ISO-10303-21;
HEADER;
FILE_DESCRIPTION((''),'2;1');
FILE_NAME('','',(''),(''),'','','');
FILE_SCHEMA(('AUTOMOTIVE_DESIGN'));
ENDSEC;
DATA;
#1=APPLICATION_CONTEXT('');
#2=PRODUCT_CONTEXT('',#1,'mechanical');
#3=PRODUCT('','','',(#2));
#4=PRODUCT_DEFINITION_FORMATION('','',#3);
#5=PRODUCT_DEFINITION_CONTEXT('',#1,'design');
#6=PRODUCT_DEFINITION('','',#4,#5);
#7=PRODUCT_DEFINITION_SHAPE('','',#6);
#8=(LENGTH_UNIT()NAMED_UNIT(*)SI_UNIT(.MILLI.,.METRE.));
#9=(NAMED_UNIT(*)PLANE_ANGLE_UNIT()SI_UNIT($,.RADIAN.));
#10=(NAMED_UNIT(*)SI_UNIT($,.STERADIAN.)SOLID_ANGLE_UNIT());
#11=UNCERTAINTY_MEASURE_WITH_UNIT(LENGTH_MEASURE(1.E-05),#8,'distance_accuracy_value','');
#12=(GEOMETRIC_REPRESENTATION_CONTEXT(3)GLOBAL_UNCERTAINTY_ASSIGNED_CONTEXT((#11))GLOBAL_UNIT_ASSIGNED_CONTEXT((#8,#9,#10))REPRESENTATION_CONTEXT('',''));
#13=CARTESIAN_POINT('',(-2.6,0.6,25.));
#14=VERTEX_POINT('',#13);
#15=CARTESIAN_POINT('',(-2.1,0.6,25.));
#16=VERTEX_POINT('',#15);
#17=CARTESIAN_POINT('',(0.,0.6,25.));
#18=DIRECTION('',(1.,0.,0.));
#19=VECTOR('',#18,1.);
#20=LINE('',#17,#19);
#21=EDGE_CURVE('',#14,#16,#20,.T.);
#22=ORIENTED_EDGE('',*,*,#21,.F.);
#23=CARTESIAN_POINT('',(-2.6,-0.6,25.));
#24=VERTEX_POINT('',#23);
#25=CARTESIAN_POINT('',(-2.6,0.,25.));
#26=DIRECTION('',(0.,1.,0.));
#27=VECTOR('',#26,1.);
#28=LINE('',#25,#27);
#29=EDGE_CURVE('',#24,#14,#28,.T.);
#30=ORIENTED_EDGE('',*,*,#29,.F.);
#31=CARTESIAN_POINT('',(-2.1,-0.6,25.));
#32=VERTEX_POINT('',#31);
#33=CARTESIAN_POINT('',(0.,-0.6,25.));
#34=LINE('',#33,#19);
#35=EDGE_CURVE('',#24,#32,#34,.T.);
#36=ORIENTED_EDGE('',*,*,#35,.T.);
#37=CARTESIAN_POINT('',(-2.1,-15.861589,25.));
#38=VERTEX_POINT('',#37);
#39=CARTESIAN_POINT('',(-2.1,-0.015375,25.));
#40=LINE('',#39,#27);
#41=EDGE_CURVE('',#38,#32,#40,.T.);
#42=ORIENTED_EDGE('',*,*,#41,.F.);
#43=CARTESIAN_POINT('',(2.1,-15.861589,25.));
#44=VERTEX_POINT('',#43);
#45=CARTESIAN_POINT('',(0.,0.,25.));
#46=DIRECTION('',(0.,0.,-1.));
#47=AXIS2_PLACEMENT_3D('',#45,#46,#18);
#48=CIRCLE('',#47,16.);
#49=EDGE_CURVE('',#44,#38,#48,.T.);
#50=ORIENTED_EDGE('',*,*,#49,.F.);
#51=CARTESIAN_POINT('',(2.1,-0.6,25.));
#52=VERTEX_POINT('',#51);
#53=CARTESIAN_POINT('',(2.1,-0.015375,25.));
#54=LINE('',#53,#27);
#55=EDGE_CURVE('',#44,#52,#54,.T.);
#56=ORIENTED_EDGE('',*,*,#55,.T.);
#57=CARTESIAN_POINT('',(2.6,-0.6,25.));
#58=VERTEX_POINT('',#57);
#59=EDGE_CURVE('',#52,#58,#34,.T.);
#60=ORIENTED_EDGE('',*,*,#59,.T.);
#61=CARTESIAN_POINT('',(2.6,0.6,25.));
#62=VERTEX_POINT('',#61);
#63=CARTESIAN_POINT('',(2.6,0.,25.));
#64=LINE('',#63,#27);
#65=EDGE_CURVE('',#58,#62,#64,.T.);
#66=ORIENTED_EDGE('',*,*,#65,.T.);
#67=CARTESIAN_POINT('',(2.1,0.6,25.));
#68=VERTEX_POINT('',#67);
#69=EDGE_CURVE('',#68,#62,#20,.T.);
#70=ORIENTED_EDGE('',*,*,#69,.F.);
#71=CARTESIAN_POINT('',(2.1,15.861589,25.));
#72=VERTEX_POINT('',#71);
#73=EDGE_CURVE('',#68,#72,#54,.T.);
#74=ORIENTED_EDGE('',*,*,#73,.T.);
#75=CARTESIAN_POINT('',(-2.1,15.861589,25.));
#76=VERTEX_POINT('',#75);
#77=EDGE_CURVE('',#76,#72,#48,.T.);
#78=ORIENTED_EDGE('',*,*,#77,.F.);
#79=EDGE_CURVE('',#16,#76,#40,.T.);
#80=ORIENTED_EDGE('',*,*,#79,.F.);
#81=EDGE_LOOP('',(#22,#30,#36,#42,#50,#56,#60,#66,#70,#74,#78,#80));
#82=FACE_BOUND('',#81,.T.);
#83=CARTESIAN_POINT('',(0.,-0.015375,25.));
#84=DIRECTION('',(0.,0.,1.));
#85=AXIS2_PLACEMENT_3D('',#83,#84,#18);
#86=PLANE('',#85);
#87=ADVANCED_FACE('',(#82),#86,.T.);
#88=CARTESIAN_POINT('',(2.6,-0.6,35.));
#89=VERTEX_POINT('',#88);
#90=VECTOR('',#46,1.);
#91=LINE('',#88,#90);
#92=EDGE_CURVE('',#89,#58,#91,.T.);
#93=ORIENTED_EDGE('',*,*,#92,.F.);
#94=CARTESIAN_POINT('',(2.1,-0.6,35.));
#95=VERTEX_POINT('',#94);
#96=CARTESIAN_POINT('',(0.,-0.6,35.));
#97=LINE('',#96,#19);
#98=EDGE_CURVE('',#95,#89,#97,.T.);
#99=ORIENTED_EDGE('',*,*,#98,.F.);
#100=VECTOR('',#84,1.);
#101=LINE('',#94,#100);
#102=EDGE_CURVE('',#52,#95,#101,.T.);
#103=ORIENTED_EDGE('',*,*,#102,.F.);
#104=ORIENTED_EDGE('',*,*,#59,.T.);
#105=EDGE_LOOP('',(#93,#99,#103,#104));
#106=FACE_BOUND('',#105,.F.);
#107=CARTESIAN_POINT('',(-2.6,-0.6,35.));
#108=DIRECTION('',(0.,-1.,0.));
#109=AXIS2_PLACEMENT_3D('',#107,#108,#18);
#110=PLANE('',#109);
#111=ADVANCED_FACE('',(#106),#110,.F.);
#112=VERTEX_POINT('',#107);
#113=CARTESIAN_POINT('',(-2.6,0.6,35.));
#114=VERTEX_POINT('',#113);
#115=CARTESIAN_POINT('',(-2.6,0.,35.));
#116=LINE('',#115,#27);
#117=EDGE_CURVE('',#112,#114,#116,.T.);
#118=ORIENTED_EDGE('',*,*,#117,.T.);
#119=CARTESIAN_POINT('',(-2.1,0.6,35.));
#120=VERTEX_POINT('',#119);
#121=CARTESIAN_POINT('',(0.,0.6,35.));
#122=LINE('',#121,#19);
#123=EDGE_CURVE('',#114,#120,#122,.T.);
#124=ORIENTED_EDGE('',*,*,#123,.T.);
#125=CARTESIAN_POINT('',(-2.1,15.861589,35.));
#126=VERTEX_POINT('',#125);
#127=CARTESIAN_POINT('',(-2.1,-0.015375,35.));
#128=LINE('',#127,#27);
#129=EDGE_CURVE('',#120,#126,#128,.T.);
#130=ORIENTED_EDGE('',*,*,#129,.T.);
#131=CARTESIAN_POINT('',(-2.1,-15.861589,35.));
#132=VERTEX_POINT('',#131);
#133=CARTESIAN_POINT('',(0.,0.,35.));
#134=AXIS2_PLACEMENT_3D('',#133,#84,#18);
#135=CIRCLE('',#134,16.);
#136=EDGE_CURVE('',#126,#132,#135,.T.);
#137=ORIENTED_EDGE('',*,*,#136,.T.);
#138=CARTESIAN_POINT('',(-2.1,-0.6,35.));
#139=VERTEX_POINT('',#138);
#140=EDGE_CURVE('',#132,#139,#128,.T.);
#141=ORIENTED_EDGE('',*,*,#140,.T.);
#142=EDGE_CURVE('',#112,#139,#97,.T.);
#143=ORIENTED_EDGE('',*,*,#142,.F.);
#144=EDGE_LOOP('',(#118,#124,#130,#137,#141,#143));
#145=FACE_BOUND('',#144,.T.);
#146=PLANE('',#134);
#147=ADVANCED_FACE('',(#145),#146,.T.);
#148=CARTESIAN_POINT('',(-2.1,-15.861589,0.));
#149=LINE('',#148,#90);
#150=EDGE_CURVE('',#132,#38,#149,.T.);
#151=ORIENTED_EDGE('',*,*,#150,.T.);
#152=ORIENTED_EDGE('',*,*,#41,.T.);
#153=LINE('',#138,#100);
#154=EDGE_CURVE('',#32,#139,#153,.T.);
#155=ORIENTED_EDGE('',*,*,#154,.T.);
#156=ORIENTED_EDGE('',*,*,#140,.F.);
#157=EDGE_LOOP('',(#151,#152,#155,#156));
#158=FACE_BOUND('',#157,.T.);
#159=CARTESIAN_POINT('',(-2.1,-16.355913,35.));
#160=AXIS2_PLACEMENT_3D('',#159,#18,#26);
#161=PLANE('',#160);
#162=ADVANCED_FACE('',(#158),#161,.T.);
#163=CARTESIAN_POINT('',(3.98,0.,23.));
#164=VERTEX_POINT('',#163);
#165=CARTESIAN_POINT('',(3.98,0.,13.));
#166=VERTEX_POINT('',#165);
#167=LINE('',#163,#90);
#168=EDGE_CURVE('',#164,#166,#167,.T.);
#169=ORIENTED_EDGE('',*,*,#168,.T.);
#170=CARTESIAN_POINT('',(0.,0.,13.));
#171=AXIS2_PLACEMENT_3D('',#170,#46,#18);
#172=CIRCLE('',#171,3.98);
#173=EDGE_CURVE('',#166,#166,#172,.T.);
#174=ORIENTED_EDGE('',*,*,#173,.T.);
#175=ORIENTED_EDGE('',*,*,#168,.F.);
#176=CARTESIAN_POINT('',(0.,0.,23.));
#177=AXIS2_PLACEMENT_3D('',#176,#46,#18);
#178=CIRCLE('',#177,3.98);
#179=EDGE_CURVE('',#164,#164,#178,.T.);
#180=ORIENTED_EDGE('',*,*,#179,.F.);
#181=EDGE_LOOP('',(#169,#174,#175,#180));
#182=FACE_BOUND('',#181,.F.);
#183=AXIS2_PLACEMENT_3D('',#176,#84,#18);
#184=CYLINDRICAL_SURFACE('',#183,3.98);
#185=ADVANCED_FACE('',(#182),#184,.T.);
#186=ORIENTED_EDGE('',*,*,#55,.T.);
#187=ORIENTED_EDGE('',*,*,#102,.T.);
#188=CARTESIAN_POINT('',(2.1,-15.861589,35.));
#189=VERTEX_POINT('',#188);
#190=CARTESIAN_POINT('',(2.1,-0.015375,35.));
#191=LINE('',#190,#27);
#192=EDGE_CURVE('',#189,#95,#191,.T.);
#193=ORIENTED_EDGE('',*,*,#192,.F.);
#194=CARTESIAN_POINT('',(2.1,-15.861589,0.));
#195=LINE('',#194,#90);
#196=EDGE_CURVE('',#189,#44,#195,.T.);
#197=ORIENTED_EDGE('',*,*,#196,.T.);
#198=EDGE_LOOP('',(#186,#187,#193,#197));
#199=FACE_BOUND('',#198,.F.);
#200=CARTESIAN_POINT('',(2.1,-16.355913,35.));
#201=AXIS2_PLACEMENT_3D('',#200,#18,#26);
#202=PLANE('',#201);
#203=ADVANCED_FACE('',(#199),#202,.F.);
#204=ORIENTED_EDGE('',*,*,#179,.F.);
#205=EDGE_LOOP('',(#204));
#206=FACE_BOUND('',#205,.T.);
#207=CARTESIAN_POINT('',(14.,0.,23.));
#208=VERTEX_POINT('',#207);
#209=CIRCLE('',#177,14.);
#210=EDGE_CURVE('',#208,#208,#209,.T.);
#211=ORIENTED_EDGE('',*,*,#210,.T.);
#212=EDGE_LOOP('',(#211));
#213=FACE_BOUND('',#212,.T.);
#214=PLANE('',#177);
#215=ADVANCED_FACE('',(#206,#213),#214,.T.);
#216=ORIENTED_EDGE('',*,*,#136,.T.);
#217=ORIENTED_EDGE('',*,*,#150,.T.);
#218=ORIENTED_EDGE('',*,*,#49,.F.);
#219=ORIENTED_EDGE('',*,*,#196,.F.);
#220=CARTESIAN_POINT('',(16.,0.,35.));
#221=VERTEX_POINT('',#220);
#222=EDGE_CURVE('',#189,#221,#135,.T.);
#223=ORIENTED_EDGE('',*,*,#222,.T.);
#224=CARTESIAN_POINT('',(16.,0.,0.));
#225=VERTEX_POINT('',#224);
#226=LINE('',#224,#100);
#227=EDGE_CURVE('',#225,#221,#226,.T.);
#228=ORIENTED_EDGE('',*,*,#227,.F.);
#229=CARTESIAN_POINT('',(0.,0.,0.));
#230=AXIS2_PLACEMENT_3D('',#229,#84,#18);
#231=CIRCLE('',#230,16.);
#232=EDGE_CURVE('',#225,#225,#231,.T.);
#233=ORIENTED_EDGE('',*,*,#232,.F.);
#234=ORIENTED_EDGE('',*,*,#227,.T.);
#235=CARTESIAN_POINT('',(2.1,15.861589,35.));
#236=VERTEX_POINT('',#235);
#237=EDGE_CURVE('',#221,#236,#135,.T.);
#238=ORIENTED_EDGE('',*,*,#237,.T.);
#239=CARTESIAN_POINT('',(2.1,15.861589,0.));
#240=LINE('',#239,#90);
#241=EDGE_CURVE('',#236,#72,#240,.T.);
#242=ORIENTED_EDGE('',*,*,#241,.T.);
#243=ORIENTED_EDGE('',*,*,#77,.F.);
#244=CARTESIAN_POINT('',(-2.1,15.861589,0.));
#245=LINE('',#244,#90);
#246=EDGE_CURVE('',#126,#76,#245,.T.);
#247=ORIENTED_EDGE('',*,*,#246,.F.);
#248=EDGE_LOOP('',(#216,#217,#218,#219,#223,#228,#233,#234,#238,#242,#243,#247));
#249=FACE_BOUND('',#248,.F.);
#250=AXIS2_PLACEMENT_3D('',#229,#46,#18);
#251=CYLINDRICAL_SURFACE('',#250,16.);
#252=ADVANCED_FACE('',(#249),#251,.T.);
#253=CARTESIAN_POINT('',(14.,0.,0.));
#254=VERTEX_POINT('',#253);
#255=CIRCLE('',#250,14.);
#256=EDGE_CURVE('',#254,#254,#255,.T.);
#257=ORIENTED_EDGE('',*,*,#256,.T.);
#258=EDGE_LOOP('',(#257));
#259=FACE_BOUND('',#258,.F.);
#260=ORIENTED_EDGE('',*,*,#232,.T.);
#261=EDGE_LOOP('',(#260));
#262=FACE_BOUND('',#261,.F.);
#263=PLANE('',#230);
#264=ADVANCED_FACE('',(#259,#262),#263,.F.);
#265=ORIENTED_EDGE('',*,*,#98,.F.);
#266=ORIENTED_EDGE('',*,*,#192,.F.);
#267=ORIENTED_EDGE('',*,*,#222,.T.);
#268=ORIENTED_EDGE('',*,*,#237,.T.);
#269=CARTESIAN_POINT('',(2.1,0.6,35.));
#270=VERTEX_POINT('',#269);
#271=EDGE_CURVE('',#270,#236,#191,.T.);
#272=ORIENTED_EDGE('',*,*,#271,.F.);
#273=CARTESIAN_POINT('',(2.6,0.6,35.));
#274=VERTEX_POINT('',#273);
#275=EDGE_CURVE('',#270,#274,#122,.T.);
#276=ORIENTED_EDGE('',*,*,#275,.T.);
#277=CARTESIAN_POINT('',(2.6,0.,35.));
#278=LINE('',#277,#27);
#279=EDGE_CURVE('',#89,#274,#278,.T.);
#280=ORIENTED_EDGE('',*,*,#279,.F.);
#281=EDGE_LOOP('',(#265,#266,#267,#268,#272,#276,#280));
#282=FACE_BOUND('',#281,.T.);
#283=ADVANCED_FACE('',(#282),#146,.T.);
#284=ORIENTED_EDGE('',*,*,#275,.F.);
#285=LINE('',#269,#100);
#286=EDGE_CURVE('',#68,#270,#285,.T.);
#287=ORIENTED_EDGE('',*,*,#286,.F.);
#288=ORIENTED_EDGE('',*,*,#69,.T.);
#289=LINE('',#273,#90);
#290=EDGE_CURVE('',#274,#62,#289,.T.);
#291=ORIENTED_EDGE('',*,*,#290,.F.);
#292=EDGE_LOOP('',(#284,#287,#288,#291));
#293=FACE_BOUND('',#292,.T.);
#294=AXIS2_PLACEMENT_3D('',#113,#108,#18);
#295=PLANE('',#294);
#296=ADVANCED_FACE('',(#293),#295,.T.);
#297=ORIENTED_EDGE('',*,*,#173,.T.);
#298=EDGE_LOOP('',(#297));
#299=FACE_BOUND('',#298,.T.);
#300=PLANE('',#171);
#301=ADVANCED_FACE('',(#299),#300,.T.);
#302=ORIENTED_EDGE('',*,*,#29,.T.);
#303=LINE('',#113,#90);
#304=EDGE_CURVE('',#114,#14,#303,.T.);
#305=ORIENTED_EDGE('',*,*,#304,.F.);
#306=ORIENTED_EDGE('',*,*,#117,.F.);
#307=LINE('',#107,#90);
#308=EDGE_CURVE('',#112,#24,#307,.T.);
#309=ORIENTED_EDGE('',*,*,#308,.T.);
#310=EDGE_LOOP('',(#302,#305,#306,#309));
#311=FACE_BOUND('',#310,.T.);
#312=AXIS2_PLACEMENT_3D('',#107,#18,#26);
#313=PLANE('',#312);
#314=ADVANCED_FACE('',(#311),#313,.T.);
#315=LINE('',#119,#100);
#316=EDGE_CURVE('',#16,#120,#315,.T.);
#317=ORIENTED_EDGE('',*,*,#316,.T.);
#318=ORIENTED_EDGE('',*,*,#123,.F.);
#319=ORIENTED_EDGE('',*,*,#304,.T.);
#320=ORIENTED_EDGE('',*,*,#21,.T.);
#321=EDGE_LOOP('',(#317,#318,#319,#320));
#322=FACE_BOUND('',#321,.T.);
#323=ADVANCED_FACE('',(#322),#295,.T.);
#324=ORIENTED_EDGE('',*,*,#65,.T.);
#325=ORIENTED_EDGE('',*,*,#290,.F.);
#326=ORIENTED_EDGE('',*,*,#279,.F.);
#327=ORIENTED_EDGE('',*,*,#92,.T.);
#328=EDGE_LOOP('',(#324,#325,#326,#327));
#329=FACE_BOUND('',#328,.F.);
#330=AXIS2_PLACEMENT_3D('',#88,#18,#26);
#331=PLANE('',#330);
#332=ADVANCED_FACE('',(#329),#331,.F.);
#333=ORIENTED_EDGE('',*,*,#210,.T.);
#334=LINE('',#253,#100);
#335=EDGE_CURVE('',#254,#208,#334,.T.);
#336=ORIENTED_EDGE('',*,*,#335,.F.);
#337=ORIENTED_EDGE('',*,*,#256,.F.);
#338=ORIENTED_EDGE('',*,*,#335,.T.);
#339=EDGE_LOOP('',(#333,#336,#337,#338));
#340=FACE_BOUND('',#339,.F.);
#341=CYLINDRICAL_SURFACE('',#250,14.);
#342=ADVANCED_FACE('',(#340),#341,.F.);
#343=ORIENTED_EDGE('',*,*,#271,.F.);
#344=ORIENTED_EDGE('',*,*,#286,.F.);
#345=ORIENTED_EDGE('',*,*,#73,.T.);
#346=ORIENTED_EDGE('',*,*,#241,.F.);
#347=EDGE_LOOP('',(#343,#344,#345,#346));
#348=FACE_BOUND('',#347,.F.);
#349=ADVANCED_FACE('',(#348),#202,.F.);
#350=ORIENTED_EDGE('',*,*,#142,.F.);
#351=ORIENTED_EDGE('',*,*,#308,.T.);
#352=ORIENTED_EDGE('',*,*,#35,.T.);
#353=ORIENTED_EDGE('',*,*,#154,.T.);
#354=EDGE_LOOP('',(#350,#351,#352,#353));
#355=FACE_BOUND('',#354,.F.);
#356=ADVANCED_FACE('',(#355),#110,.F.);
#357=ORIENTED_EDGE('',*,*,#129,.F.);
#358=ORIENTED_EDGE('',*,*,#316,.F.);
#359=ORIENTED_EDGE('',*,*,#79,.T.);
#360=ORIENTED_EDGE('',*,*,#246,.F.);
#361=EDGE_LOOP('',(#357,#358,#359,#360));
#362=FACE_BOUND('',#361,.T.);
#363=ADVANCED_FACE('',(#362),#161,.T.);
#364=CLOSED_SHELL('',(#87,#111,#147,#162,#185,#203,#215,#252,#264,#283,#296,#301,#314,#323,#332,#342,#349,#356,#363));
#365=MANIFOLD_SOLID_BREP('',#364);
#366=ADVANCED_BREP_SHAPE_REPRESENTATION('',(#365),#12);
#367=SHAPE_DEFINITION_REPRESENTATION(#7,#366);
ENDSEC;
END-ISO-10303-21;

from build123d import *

# Parameters (mm, degrees)
SKETCH_R        = 16
PAD_DEPTH       = 35
SKETCH001_R     = 14
POCKET_DEPTH    = 23
SKETCH002_R     = 3.98
PAD001_DEPTH    = 10
SKETCH003_W     = 5.2
SKETCH003_H     = 1.2
POCKET001_DEPTH = 10
SKETCH004_W     = 4.2
SKETCH004_H     = 32.681076
POCKET002_DEPTH = 10


with BuildPart() as part:
    # Sketch → Pad (new body)
    with BuildSketch(Plane.XY):
        Circle(SKETCH_R)
    extrude(amount=PAD_DEPTH)

    # Sketch001 (on Face2 of Pad) → Pocket (cut)
    with BuildSketch(Plane(origin=(0, 0, 0), x_dir=(1, 0, 0), z_dir=(0, 0, -1))):
        Circle(SKETCH001_R)
    extrude(amount=-POCKET_DEPTH, mode=Mode.SUBTRACT)

    # Sketch002 (on Face5 of Pocket) → Pad001 (join)
    with BuildSketch(Plane(origin=(0, 0, 23), x_dir=(1, 0, 0), z_dir=(0, 0, -1))):
        Circle(SKETCH002_R)
    extrude(amount=PAD001_DEPTH)

    # Sketch003 (on Face3 of Pad001) → Pocket001 (cut)
    with BuildSketch(Plane.XY.offset(35)):
        Rectangle(SKETCH003_W, SKETCH003_H)
    extrude(amount=-POCKET001_DEPTH, mode=Mode.SUBTRACT)

    # Sketch004 (on Face3 of Pocket001) → Pocket002 (cut)
    with BuildSketch(Plane.XY.offset(35)):
        with Locations((0, -0.015375)):
            Rectangle(SKETCH004_W, SKETCH004_H)
    extrude(amount=-POCKET002_DEPTH, mode=Mode.SUBTRACT)


solid = part.part
